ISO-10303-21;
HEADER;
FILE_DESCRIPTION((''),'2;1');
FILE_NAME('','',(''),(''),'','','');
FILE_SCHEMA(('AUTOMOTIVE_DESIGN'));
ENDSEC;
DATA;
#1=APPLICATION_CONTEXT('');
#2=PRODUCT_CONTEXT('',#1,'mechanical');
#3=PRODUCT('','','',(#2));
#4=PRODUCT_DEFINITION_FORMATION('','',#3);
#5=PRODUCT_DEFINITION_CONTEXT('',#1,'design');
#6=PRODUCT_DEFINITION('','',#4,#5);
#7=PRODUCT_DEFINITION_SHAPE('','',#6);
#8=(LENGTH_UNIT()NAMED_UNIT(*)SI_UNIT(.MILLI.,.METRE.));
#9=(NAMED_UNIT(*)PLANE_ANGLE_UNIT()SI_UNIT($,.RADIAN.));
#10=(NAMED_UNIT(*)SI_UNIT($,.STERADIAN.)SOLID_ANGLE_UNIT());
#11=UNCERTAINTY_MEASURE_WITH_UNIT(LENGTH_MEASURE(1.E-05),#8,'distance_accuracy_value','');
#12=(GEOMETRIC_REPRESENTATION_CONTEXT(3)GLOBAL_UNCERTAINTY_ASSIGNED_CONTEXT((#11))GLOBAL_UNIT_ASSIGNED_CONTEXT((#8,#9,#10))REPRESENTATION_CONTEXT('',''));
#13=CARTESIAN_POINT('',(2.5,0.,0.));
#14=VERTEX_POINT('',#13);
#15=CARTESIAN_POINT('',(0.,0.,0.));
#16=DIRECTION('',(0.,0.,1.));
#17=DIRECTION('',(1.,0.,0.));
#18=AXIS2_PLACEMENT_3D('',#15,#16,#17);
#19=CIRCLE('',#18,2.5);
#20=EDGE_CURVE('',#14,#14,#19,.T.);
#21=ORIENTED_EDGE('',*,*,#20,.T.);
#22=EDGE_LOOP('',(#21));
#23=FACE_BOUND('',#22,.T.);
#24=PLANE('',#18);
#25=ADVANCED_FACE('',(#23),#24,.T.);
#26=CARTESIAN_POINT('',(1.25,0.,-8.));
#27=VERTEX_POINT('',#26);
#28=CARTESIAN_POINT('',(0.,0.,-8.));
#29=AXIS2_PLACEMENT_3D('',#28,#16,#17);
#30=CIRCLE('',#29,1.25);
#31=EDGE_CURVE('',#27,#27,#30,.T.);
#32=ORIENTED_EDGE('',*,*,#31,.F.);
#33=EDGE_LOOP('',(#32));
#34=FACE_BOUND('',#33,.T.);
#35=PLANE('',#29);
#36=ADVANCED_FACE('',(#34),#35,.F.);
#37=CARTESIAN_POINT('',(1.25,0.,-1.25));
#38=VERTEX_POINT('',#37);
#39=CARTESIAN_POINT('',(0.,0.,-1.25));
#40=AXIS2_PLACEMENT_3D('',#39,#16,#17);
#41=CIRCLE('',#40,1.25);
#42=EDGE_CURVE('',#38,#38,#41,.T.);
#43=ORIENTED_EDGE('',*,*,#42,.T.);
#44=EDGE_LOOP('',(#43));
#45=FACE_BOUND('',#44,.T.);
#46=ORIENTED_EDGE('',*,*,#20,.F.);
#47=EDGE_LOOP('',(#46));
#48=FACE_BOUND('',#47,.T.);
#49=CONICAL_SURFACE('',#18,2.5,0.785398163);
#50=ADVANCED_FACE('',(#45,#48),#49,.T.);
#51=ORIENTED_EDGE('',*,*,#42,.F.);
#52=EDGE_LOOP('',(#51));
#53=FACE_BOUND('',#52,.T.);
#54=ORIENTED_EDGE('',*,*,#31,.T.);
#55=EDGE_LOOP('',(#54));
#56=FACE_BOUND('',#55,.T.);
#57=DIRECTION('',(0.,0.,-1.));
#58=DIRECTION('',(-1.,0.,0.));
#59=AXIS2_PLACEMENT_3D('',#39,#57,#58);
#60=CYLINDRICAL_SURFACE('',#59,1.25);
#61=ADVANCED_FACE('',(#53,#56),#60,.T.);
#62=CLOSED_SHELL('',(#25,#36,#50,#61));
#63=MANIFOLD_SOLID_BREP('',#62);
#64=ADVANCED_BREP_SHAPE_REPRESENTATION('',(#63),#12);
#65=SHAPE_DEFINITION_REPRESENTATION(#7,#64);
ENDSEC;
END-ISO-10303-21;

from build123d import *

# Parameters (mm, degrees)
SKETCH1_R                       = 2.5
HEAD_D5_90DEG_DEPTH             = 1.25
HEAD_D5_90DEG_DRAFT             = -45
M2P5X0P45_THREAD_ENVELOPE_START = -8
SKETCH2_R                       = 1.25
M2P5X0P45_THREAD_ENVELOPE_DEPTH = 6.75


with BuildPart() as part:
    # Sketch1 → Head_D5_90deg (with draft: the straight prism first)
    with BuildSketch(Plane.XY):
        Circle(SKETCH1_R)
    extrude(amount=-HEAD_D5_90DEG_DEPTH)
    # Head_D5_90deg: the draft: its side faces are tilted about the plane it starts from
    head_d5_90deg_sides = [part.faces().sort_by_distance(p)[0] for p in [
        (-2.5, 0, -0.625),
    ]]
    draft(head_d5_90deg_sides, Plane.XY, HEAD_D5_90DEG_DRAFT)

    # Sketch2 → M2p5x0p45_Thread_Envelope (add)
    with BuildSketch(Plane.XY.offset(M2P5X0P45_THREAD_ENVELOPE_START)):
        Circle(SKETCH2_R)
    extrude(amount=M2P5X0P45_THREAD_ENVELOPE_DEPTH)


solid = part.part
